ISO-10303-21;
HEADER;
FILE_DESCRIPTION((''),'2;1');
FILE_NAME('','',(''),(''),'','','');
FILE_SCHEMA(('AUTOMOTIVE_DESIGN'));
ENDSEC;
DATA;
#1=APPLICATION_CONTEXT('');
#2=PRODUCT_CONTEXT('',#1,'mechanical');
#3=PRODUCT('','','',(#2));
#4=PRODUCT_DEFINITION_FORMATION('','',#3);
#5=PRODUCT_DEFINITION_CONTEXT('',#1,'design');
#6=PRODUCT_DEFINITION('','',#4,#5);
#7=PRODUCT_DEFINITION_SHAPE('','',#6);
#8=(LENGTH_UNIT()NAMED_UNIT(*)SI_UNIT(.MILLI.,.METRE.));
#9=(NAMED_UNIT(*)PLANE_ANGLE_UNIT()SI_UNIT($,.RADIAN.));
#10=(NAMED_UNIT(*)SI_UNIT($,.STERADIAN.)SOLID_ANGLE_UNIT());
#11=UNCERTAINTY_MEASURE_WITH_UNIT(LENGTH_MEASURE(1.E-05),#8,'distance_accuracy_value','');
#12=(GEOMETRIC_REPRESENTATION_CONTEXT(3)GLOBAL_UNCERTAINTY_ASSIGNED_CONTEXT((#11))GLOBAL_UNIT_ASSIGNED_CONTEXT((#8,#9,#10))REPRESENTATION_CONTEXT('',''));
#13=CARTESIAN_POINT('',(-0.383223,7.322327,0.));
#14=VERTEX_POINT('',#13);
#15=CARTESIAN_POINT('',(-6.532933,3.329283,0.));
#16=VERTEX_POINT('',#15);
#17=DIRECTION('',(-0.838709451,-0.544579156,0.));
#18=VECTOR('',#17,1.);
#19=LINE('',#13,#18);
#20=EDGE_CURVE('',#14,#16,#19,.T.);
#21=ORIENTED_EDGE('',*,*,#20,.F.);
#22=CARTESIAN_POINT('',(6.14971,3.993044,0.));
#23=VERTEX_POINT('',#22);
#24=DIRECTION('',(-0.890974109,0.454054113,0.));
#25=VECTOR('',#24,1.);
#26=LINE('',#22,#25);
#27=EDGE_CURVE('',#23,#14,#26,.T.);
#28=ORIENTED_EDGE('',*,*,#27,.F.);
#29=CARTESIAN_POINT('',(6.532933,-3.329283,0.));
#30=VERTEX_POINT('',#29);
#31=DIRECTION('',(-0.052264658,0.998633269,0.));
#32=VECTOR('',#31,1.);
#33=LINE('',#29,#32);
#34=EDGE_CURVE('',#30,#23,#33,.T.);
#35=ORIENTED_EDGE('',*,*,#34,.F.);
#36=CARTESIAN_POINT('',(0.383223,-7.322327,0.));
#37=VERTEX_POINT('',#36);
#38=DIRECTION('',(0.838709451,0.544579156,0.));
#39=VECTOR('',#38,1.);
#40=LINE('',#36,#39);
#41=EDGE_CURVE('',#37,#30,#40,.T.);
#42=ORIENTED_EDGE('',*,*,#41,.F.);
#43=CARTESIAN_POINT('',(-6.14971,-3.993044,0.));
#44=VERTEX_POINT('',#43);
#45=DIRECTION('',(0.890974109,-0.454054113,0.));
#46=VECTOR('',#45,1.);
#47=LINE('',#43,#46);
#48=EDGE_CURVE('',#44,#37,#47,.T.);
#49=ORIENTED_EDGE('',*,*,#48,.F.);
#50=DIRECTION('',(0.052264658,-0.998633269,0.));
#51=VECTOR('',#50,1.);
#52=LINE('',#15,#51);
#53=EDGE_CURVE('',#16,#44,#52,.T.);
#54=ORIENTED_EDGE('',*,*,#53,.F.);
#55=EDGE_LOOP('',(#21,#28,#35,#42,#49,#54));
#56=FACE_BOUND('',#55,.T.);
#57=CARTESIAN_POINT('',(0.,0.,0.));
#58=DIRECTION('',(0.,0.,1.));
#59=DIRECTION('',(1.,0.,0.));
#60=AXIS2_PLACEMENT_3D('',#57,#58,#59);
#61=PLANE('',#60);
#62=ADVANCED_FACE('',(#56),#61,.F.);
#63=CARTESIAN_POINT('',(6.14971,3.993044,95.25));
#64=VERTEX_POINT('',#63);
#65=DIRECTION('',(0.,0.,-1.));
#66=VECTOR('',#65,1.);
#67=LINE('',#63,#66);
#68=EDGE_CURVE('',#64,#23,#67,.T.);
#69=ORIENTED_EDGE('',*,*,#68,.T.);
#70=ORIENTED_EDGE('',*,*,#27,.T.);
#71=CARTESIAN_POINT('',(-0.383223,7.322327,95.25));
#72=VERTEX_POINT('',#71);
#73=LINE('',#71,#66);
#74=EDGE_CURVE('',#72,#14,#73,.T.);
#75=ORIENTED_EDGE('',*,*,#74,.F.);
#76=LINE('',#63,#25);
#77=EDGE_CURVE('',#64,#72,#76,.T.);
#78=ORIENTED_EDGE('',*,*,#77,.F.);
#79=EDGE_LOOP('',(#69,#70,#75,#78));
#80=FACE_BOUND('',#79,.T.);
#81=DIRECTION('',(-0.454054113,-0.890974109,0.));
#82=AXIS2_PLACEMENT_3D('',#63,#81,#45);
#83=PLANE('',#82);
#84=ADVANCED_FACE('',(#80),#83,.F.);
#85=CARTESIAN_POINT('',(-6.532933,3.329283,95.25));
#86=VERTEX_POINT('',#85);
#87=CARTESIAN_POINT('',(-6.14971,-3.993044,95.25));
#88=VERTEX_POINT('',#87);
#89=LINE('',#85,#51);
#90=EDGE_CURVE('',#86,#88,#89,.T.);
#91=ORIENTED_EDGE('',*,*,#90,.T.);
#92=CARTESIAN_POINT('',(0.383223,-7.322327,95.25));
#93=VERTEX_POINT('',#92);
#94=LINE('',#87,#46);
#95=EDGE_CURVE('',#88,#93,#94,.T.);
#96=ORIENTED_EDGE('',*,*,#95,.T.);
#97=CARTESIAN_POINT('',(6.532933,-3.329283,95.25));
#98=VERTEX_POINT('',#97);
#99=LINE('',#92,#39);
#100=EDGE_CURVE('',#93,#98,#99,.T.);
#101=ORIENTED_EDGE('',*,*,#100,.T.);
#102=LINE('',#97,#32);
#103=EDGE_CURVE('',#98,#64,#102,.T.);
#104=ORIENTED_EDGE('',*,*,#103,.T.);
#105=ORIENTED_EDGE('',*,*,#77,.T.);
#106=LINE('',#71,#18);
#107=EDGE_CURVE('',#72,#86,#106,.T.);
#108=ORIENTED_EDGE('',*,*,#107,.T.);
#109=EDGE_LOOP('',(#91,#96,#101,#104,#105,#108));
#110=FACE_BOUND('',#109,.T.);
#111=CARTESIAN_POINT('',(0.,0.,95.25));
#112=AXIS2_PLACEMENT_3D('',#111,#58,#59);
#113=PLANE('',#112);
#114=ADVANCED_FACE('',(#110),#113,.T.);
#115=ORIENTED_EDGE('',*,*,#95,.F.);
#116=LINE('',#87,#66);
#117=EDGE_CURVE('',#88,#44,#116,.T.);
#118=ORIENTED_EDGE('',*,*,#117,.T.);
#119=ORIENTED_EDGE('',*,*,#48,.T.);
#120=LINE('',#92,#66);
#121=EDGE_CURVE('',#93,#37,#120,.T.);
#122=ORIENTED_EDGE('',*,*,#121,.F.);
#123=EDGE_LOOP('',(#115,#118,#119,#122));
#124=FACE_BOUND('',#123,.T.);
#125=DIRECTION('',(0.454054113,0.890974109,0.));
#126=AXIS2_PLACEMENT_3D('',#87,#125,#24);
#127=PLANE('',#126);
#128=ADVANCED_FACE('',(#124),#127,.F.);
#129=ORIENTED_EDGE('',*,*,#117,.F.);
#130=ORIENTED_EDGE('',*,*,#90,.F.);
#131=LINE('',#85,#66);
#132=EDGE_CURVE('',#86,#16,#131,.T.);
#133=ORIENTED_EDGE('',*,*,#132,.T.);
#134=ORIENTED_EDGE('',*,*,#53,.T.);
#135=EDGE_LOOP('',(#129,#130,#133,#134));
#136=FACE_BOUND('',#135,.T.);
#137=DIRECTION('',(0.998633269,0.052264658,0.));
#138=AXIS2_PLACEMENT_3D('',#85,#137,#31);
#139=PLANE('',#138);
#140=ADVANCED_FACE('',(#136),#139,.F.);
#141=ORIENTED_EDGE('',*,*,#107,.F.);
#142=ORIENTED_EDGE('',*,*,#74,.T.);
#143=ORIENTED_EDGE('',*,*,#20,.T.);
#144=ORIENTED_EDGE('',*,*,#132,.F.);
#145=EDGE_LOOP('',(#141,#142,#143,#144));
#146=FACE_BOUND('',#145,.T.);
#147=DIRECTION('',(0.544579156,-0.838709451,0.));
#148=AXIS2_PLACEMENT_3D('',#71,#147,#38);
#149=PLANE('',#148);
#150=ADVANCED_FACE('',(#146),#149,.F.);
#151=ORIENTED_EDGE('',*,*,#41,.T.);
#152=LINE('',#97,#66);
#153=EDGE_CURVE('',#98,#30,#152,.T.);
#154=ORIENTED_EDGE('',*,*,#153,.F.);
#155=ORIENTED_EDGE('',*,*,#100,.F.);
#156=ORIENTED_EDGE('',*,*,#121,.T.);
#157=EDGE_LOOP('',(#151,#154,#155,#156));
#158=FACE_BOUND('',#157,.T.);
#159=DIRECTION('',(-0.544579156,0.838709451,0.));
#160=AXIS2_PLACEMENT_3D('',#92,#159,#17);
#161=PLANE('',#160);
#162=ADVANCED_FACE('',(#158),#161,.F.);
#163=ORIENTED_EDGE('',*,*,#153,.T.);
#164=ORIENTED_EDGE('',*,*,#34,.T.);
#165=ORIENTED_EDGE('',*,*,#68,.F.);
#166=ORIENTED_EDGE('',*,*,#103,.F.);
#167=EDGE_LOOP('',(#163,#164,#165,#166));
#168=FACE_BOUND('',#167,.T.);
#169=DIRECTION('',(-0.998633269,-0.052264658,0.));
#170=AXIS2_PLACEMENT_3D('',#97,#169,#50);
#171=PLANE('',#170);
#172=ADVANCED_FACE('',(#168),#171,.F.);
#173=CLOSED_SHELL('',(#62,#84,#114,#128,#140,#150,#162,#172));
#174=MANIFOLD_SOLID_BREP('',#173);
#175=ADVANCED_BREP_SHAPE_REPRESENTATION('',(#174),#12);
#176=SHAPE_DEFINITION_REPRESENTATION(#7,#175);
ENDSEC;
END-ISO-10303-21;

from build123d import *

# Parameters (mm, degrees)
BOSS_EXTRUDE2_DEPTH = 95.25


with BuildPart() as part:
    # Sketch2 → Boss-Extrude2 (new body)
    with BuildSketch(Plane.XY):
        Polygon((-6.532932597, 3.329282958), (-6.149709917, -3.993044111), (0.38322268, -7.322327069), (6.532932597, -3.329282958), (6.149709917, 3.993044111), (-0.38322268, 7.322327069), align=None)
    extrude(amount=BOSS_EXTRUDE2_DEPTH)


solid = part.part
